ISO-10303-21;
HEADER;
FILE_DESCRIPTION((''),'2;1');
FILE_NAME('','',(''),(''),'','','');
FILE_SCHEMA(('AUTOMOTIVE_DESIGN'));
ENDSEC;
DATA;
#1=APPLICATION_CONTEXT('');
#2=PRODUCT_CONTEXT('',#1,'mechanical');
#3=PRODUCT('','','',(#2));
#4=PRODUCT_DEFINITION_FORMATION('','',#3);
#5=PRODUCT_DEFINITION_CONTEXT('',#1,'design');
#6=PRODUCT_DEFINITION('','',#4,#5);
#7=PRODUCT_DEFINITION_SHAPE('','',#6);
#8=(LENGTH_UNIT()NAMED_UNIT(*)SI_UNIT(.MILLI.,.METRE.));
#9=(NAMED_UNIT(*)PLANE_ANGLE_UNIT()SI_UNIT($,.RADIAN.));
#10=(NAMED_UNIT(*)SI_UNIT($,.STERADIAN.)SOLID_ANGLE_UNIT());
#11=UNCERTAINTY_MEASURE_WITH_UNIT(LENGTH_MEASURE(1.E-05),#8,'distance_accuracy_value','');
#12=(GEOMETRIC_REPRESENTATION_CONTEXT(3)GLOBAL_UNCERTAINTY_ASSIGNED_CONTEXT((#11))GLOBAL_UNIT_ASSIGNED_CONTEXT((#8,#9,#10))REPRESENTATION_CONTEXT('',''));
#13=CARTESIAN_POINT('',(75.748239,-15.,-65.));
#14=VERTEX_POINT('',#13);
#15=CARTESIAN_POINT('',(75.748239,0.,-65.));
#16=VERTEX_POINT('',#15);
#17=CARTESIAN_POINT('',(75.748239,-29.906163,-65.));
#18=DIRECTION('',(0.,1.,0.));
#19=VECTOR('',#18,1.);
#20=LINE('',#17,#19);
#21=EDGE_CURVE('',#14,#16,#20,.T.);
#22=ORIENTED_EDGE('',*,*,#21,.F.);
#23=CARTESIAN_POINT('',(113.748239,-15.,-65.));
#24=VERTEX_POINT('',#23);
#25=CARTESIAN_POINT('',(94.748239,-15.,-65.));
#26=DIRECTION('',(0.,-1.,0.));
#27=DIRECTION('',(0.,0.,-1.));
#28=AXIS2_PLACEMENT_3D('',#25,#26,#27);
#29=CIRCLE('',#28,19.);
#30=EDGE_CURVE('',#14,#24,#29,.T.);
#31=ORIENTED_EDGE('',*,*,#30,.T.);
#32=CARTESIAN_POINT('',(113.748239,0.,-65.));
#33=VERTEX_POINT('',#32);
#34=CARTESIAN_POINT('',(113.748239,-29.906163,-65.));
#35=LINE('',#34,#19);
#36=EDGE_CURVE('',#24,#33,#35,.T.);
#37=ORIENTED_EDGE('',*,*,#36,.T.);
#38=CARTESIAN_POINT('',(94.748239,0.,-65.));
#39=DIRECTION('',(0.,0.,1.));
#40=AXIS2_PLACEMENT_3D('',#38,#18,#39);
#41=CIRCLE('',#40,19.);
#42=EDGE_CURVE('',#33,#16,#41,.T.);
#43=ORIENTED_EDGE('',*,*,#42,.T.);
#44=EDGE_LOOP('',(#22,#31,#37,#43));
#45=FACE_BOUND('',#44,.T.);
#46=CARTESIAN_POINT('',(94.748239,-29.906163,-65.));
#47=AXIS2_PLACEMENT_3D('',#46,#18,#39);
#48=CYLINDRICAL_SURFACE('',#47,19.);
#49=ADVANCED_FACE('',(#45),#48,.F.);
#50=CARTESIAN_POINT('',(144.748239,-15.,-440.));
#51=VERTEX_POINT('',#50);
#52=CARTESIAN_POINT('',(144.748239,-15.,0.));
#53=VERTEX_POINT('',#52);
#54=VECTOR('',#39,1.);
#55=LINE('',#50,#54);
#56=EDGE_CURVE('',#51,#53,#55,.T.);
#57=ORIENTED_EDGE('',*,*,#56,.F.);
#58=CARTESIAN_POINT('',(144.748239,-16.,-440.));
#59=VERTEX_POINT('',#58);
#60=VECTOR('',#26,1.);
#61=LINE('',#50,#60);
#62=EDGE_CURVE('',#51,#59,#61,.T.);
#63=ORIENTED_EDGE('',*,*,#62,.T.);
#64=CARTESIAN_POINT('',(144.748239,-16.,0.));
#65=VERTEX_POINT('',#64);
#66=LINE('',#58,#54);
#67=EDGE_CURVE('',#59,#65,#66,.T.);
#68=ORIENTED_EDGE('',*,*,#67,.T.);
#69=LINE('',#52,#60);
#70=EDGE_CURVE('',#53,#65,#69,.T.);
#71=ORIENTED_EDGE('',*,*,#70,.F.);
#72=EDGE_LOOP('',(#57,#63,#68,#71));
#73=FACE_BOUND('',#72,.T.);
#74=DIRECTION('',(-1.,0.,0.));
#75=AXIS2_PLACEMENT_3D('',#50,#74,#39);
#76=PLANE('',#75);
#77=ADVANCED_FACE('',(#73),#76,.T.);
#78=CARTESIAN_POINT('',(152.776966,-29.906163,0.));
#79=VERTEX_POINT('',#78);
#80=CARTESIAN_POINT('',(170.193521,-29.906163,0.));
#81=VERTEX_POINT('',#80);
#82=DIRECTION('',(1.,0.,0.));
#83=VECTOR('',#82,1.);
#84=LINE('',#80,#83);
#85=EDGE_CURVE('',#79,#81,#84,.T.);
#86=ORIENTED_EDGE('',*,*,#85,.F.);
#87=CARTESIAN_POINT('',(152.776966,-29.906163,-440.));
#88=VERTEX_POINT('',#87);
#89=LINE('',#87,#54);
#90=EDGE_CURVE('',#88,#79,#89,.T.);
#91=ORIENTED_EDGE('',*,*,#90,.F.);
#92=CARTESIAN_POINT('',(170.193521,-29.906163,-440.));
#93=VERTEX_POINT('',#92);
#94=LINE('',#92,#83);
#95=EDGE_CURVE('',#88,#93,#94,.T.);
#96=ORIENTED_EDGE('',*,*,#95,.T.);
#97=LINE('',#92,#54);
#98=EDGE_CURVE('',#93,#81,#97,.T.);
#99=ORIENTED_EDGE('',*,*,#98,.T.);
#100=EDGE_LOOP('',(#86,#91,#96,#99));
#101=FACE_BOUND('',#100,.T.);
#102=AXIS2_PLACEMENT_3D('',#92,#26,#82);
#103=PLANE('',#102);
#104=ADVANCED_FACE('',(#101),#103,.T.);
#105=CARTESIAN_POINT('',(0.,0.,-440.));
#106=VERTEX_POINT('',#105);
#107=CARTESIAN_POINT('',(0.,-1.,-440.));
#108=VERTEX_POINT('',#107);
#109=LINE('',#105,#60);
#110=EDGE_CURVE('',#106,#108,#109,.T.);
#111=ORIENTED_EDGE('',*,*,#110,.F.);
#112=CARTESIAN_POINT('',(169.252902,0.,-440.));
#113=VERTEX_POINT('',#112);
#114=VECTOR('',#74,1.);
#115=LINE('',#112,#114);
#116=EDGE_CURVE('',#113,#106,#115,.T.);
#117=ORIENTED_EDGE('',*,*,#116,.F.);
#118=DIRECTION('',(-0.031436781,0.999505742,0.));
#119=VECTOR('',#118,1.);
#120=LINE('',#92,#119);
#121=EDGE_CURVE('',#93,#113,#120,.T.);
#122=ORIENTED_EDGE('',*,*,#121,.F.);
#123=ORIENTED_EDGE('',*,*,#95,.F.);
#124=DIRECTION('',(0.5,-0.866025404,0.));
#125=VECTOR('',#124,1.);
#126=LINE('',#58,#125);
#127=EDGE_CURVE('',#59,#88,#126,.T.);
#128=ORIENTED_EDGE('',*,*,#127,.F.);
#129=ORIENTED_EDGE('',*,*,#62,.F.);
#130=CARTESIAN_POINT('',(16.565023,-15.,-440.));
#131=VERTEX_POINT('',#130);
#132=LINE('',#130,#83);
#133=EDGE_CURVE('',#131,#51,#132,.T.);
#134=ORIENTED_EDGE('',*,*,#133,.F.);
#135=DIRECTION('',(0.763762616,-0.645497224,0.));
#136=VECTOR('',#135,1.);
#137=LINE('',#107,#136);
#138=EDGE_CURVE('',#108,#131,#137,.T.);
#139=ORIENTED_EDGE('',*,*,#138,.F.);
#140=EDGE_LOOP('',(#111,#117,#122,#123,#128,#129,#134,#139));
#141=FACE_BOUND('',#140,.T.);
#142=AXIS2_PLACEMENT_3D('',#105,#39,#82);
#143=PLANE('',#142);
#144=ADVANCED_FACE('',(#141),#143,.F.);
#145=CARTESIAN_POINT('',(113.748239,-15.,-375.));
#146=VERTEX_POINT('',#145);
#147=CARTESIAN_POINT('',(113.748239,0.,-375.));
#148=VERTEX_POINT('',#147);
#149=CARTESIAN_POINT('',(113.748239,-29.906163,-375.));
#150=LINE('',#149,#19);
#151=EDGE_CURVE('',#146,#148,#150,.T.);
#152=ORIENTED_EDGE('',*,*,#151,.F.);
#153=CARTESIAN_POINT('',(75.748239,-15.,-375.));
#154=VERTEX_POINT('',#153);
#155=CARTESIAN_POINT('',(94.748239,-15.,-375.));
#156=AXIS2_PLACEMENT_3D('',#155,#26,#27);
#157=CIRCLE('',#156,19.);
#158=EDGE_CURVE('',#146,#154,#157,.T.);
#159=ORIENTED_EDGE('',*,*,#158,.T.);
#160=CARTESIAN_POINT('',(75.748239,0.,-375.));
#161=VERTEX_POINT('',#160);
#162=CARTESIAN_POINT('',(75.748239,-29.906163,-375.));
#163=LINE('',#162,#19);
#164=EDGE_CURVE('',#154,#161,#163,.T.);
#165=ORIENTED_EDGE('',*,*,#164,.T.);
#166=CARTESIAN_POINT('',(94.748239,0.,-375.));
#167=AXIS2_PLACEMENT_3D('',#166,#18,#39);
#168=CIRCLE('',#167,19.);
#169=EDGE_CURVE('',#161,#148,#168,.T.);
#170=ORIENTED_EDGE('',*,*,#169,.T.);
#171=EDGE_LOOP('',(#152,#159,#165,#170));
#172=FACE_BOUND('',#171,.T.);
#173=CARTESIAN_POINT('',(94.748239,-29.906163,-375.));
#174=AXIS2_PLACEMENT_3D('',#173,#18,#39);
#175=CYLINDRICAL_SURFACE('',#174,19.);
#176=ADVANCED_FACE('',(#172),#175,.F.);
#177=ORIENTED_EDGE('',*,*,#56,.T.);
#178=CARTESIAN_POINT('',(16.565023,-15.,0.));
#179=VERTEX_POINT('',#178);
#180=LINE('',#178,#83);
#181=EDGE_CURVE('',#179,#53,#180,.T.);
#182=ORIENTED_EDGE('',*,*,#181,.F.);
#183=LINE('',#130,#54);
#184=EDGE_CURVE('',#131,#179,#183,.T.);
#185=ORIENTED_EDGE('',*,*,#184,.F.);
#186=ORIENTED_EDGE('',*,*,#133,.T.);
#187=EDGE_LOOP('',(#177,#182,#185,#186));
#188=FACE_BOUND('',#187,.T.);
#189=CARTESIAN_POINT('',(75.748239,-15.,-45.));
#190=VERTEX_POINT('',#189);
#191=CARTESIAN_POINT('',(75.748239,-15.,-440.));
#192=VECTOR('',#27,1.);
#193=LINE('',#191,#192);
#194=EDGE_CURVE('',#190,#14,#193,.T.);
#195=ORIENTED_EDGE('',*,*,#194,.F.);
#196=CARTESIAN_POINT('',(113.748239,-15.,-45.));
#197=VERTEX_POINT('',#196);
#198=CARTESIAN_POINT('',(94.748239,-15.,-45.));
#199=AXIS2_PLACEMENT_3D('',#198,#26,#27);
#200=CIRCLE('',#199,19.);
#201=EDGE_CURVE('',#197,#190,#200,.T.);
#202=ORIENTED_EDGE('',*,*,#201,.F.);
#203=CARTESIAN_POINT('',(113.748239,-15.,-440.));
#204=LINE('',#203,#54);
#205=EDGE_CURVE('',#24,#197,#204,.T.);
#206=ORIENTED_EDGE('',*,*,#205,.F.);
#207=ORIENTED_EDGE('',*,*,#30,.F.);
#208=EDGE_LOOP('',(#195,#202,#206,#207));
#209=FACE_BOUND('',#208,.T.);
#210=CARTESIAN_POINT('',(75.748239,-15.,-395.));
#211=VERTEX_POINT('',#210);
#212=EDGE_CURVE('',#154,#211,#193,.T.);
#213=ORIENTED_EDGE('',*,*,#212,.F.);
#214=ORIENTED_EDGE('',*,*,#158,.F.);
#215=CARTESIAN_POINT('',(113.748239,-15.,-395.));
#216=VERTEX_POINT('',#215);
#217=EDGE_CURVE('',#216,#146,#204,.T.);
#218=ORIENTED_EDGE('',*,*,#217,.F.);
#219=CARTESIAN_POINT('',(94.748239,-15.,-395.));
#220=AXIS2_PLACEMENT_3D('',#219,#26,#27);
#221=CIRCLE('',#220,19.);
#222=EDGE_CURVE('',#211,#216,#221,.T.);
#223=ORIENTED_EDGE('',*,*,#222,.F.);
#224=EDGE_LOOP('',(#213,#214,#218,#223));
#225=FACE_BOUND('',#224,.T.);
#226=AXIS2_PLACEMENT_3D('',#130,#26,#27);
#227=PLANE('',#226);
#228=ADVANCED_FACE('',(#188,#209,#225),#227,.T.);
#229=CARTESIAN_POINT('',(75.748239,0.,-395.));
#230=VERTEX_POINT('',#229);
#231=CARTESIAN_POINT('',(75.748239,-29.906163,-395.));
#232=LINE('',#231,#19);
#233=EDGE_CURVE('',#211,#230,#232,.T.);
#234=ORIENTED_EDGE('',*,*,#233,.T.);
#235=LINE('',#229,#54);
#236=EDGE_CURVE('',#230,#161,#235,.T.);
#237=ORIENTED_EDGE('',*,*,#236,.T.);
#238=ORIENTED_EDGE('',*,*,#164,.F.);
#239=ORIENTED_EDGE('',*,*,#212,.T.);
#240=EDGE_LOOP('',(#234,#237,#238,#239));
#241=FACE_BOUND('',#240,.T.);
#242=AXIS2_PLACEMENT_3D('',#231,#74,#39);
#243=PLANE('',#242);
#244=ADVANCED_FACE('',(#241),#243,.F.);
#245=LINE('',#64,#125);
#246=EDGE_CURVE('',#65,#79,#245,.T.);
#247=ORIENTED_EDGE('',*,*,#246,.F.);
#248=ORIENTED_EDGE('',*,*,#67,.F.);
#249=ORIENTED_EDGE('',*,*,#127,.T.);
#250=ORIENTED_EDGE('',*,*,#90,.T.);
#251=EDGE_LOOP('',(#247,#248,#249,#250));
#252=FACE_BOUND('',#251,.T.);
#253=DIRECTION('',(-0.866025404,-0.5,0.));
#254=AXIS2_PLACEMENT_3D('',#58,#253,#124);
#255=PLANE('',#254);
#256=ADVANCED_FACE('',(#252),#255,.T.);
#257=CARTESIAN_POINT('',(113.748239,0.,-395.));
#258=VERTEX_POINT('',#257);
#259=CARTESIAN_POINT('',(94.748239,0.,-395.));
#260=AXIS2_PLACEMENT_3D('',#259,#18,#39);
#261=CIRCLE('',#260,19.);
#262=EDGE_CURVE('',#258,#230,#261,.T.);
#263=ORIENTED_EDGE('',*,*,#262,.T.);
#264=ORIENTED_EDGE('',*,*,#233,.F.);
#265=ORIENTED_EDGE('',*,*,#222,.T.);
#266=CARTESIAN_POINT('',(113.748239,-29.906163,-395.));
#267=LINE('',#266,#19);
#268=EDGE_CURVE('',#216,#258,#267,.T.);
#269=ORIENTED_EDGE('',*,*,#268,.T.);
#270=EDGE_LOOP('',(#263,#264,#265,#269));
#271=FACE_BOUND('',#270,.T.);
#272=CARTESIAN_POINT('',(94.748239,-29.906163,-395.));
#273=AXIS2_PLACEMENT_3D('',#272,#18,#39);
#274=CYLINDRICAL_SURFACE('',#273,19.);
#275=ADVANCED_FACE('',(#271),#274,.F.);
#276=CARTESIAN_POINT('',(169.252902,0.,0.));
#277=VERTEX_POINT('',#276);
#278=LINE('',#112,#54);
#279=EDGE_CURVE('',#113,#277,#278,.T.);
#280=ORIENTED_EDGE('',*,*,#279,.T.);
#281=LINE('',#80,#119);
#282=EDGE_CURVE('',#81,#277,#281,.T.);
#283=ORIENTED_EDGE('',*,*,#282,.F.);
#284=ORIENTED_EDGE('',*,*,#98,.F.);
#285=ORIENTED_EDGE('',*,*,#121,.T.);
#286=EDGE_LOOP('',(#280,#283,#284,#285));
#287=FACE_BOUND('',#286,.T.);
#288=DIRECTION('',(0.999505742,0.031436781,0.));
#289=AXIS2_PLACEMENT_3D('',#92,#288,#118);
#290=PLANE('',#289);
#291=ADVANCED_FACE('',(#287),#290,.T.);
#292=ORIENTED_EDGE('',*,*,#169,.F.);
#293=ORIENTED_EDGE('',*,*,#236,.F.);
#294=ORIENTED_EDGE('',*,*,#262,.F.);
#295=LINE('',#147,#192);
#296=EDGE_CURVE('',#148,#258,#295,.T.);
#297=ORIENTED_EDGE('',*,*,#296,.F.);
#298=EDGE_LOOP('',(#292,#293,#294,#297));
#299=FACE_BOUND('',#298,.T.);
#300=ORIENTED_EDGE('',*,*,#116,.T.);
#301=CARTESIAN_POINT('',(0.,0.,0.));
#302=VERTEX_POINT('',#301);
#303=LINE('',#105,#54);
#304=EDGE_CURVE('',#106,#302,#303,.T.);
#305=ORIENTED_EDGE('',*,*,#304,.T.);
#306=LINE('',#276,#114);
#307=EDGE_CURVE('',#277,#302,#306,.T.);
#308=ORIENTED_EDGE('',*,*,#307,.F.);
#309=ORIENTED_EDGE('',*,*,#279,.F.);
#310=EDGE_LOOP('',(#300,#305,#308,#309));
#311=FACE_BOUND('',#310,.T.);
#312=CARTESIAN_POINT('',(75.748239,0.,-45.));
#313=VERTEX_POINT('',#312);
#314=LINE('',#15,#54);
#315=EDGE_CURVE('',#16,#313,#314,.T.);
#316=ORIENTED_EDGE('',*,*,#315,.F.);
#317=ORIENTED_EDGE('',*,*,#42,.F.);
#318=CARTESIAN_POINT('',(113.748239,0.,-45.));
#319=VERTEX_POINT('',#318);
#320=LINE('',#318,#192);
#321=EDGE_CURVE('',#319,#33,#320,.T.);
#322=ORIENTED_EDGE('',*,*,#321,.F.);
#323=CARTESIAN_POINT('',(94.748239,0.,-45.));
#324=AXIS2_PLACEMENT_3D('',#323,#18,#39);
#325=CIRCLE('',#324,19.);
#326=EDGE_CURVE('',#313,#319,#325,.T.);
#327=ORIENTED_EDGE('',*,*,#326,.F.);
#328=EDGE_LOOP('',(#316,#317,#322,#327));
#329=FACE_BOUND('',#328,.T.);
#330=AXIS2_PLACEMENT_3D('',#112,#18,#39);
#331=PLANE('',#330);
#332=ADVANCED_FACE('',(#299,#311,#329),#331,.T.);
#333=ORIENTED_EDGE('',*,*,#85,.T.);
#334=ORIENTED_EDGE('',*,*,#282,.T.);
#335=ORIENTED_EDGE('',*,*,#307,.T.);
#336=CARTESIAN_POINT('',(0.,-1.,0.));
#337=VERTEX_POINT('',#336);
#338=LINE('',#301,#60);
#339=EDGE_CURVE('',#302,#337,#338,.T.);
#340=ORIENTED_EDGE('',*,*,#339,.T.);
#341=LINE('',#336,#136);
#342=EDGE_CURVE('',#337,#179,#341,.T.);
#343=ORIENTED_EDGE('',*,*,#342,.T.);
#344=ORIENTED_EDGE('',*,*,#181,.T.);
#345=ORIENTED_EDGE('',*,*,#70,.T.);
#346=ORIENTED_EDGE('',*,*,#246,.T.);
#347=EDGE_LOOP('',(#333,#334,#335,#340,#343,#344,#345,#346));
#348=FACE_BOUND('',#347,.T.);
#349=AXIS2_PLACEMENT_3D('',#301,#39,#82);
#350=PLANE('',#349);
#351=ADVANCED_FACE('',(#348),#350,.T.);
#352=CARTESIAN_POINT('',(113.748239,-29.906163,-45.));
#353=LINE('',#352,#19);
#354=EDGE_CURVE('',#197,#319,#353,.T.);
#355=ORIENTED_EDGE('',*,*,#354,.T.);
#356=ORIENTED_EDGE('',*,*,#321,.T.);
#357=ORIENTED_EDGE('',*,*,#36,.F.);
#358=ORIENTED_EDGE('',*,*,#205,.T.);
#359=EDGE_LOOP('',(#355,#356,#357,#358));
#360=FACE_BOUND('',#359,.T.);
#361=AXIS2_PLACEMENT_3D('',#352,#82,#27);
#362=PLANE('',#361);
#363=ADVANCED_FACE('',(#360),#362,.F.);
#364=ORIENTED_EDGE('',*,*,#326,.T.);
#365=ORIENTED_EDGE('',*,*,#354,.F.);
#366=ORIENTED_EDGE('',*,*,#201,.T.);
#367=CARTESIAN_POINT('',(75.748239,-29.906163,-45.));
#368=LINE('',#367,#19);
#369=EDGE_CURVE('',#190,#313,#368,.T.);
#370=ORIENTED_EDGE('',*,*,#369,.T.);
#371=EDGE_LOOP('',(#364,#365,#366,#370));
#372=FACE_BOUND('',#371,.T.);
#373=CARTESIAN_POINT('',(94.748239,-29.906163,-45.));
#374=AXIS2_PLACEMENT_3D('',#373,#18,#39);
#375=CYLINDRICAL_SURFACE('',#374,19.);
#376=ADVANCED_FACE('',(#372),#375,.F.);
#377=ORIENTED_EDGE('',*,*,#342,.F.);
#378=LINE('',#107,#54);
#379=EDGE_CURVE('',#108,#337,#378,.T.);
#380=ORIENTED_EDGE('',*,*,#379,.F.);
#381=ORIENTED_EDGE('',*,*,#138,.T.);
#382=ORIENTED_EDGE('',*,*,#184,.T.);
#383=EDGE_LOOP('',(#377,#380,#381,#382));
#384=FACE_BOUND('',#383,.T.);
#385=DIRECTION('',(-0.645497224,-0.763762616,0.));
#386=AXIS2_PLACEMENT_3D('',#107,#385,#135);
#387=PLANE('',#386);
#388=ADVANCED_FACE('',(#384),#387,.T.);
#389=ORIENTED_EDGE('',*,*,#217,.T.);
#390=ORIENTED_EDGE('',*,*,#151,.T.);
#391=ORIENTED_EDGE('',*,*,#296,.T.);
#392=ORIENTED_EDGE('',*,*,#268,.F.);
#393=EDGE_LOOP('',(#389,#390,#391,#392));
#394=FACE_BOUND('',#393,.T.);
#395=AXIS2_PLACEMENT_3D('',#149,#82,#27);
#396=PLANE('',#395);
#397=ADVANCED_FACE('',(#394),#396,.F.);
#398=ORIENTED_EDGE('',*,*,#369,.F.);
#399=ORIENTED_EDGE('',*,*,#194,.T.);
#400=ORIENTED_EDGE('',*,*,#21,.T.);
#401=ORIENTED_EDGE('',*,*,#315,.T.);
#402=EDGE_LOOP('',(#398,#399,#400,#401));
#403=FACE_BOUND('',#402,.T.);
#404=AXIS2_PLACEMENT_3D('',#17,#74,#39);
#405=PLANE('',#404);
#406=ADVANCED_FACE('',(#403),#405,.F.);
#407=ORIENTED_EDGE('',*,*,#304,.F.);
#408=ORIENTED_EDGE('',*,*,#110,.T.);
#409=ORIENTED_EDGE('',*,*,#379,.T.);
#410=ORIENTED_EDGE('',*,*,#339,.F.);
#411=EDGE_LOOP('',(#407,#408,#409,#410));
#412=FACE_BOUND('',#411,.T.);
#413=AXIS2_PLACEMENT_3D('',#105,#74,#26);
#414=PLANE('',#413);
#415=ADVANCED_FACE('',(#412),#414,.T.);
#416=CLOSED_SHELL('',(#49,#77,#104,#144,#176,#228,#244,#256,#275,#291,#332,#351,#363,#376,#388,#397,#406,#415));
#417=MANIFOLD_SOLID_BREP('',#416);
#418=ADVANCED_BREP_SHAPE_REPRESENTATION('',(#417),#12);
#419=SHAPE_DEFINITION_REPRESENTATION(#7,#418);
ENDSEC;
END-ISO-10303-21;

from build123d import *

# Parameters (mm, degrees)
EXTRUDE_1_DEPTH     = 440
CUT_EXTRUDE_1_DEPTH = 30.906162578


with BuildPart() as part:
    # Эскиз1 → Бобышка-Вытянуть1 (new body)
    with BuildSketch(Plane.XY):
        Polygon((169.252902227, 0), (0, 0), (0, -1), (16.565023393, -15), (144.748239349, -15), (144.748239349, -16), (152.776966057, -29.906162578), (170.193520621, -29.906162578), align=None)
    extrude(amount=-EXTRUDE_1_DEPTH)

    # Эскиз4 → Вырез-Вытянуть1 (cut, through all)
    with BuildSketch(Plane(origin=(0, 0, 0), x_dir=(1, 0, 0), z_dir=(0, 1, 0))):
        with BuildLine():
            Line((75.748239349, 65), (75.748239349, 45))
            ThreePointArc((75.748239349, 45), (94.748239349, 26), (113.748239349, 45))
            Line((113.748239349, 45), (113.748239349, 65))
            ThreePointArc((113.748239349, 65), (94.748239349, 84), (75.748239349, 65))
        make_face()
        with BuildLine():
            Line((75.748239349, 395), (75.748239349, 375))
            ThreePointArc((75.748239349, 375), (94.748239349, 356), (113.748239349, 375))
            Line((113.748239349, 375), (113.748239349, 395))
            ThreePointArc((113.748239349, 395), (94.748239349, 414), (75.748239349, 395))
        make_face()
    extrude(amount=-CUT_EXTRUDE_1_DEPTH, mode=Mode.SUBTRACT)


solid = part.part
